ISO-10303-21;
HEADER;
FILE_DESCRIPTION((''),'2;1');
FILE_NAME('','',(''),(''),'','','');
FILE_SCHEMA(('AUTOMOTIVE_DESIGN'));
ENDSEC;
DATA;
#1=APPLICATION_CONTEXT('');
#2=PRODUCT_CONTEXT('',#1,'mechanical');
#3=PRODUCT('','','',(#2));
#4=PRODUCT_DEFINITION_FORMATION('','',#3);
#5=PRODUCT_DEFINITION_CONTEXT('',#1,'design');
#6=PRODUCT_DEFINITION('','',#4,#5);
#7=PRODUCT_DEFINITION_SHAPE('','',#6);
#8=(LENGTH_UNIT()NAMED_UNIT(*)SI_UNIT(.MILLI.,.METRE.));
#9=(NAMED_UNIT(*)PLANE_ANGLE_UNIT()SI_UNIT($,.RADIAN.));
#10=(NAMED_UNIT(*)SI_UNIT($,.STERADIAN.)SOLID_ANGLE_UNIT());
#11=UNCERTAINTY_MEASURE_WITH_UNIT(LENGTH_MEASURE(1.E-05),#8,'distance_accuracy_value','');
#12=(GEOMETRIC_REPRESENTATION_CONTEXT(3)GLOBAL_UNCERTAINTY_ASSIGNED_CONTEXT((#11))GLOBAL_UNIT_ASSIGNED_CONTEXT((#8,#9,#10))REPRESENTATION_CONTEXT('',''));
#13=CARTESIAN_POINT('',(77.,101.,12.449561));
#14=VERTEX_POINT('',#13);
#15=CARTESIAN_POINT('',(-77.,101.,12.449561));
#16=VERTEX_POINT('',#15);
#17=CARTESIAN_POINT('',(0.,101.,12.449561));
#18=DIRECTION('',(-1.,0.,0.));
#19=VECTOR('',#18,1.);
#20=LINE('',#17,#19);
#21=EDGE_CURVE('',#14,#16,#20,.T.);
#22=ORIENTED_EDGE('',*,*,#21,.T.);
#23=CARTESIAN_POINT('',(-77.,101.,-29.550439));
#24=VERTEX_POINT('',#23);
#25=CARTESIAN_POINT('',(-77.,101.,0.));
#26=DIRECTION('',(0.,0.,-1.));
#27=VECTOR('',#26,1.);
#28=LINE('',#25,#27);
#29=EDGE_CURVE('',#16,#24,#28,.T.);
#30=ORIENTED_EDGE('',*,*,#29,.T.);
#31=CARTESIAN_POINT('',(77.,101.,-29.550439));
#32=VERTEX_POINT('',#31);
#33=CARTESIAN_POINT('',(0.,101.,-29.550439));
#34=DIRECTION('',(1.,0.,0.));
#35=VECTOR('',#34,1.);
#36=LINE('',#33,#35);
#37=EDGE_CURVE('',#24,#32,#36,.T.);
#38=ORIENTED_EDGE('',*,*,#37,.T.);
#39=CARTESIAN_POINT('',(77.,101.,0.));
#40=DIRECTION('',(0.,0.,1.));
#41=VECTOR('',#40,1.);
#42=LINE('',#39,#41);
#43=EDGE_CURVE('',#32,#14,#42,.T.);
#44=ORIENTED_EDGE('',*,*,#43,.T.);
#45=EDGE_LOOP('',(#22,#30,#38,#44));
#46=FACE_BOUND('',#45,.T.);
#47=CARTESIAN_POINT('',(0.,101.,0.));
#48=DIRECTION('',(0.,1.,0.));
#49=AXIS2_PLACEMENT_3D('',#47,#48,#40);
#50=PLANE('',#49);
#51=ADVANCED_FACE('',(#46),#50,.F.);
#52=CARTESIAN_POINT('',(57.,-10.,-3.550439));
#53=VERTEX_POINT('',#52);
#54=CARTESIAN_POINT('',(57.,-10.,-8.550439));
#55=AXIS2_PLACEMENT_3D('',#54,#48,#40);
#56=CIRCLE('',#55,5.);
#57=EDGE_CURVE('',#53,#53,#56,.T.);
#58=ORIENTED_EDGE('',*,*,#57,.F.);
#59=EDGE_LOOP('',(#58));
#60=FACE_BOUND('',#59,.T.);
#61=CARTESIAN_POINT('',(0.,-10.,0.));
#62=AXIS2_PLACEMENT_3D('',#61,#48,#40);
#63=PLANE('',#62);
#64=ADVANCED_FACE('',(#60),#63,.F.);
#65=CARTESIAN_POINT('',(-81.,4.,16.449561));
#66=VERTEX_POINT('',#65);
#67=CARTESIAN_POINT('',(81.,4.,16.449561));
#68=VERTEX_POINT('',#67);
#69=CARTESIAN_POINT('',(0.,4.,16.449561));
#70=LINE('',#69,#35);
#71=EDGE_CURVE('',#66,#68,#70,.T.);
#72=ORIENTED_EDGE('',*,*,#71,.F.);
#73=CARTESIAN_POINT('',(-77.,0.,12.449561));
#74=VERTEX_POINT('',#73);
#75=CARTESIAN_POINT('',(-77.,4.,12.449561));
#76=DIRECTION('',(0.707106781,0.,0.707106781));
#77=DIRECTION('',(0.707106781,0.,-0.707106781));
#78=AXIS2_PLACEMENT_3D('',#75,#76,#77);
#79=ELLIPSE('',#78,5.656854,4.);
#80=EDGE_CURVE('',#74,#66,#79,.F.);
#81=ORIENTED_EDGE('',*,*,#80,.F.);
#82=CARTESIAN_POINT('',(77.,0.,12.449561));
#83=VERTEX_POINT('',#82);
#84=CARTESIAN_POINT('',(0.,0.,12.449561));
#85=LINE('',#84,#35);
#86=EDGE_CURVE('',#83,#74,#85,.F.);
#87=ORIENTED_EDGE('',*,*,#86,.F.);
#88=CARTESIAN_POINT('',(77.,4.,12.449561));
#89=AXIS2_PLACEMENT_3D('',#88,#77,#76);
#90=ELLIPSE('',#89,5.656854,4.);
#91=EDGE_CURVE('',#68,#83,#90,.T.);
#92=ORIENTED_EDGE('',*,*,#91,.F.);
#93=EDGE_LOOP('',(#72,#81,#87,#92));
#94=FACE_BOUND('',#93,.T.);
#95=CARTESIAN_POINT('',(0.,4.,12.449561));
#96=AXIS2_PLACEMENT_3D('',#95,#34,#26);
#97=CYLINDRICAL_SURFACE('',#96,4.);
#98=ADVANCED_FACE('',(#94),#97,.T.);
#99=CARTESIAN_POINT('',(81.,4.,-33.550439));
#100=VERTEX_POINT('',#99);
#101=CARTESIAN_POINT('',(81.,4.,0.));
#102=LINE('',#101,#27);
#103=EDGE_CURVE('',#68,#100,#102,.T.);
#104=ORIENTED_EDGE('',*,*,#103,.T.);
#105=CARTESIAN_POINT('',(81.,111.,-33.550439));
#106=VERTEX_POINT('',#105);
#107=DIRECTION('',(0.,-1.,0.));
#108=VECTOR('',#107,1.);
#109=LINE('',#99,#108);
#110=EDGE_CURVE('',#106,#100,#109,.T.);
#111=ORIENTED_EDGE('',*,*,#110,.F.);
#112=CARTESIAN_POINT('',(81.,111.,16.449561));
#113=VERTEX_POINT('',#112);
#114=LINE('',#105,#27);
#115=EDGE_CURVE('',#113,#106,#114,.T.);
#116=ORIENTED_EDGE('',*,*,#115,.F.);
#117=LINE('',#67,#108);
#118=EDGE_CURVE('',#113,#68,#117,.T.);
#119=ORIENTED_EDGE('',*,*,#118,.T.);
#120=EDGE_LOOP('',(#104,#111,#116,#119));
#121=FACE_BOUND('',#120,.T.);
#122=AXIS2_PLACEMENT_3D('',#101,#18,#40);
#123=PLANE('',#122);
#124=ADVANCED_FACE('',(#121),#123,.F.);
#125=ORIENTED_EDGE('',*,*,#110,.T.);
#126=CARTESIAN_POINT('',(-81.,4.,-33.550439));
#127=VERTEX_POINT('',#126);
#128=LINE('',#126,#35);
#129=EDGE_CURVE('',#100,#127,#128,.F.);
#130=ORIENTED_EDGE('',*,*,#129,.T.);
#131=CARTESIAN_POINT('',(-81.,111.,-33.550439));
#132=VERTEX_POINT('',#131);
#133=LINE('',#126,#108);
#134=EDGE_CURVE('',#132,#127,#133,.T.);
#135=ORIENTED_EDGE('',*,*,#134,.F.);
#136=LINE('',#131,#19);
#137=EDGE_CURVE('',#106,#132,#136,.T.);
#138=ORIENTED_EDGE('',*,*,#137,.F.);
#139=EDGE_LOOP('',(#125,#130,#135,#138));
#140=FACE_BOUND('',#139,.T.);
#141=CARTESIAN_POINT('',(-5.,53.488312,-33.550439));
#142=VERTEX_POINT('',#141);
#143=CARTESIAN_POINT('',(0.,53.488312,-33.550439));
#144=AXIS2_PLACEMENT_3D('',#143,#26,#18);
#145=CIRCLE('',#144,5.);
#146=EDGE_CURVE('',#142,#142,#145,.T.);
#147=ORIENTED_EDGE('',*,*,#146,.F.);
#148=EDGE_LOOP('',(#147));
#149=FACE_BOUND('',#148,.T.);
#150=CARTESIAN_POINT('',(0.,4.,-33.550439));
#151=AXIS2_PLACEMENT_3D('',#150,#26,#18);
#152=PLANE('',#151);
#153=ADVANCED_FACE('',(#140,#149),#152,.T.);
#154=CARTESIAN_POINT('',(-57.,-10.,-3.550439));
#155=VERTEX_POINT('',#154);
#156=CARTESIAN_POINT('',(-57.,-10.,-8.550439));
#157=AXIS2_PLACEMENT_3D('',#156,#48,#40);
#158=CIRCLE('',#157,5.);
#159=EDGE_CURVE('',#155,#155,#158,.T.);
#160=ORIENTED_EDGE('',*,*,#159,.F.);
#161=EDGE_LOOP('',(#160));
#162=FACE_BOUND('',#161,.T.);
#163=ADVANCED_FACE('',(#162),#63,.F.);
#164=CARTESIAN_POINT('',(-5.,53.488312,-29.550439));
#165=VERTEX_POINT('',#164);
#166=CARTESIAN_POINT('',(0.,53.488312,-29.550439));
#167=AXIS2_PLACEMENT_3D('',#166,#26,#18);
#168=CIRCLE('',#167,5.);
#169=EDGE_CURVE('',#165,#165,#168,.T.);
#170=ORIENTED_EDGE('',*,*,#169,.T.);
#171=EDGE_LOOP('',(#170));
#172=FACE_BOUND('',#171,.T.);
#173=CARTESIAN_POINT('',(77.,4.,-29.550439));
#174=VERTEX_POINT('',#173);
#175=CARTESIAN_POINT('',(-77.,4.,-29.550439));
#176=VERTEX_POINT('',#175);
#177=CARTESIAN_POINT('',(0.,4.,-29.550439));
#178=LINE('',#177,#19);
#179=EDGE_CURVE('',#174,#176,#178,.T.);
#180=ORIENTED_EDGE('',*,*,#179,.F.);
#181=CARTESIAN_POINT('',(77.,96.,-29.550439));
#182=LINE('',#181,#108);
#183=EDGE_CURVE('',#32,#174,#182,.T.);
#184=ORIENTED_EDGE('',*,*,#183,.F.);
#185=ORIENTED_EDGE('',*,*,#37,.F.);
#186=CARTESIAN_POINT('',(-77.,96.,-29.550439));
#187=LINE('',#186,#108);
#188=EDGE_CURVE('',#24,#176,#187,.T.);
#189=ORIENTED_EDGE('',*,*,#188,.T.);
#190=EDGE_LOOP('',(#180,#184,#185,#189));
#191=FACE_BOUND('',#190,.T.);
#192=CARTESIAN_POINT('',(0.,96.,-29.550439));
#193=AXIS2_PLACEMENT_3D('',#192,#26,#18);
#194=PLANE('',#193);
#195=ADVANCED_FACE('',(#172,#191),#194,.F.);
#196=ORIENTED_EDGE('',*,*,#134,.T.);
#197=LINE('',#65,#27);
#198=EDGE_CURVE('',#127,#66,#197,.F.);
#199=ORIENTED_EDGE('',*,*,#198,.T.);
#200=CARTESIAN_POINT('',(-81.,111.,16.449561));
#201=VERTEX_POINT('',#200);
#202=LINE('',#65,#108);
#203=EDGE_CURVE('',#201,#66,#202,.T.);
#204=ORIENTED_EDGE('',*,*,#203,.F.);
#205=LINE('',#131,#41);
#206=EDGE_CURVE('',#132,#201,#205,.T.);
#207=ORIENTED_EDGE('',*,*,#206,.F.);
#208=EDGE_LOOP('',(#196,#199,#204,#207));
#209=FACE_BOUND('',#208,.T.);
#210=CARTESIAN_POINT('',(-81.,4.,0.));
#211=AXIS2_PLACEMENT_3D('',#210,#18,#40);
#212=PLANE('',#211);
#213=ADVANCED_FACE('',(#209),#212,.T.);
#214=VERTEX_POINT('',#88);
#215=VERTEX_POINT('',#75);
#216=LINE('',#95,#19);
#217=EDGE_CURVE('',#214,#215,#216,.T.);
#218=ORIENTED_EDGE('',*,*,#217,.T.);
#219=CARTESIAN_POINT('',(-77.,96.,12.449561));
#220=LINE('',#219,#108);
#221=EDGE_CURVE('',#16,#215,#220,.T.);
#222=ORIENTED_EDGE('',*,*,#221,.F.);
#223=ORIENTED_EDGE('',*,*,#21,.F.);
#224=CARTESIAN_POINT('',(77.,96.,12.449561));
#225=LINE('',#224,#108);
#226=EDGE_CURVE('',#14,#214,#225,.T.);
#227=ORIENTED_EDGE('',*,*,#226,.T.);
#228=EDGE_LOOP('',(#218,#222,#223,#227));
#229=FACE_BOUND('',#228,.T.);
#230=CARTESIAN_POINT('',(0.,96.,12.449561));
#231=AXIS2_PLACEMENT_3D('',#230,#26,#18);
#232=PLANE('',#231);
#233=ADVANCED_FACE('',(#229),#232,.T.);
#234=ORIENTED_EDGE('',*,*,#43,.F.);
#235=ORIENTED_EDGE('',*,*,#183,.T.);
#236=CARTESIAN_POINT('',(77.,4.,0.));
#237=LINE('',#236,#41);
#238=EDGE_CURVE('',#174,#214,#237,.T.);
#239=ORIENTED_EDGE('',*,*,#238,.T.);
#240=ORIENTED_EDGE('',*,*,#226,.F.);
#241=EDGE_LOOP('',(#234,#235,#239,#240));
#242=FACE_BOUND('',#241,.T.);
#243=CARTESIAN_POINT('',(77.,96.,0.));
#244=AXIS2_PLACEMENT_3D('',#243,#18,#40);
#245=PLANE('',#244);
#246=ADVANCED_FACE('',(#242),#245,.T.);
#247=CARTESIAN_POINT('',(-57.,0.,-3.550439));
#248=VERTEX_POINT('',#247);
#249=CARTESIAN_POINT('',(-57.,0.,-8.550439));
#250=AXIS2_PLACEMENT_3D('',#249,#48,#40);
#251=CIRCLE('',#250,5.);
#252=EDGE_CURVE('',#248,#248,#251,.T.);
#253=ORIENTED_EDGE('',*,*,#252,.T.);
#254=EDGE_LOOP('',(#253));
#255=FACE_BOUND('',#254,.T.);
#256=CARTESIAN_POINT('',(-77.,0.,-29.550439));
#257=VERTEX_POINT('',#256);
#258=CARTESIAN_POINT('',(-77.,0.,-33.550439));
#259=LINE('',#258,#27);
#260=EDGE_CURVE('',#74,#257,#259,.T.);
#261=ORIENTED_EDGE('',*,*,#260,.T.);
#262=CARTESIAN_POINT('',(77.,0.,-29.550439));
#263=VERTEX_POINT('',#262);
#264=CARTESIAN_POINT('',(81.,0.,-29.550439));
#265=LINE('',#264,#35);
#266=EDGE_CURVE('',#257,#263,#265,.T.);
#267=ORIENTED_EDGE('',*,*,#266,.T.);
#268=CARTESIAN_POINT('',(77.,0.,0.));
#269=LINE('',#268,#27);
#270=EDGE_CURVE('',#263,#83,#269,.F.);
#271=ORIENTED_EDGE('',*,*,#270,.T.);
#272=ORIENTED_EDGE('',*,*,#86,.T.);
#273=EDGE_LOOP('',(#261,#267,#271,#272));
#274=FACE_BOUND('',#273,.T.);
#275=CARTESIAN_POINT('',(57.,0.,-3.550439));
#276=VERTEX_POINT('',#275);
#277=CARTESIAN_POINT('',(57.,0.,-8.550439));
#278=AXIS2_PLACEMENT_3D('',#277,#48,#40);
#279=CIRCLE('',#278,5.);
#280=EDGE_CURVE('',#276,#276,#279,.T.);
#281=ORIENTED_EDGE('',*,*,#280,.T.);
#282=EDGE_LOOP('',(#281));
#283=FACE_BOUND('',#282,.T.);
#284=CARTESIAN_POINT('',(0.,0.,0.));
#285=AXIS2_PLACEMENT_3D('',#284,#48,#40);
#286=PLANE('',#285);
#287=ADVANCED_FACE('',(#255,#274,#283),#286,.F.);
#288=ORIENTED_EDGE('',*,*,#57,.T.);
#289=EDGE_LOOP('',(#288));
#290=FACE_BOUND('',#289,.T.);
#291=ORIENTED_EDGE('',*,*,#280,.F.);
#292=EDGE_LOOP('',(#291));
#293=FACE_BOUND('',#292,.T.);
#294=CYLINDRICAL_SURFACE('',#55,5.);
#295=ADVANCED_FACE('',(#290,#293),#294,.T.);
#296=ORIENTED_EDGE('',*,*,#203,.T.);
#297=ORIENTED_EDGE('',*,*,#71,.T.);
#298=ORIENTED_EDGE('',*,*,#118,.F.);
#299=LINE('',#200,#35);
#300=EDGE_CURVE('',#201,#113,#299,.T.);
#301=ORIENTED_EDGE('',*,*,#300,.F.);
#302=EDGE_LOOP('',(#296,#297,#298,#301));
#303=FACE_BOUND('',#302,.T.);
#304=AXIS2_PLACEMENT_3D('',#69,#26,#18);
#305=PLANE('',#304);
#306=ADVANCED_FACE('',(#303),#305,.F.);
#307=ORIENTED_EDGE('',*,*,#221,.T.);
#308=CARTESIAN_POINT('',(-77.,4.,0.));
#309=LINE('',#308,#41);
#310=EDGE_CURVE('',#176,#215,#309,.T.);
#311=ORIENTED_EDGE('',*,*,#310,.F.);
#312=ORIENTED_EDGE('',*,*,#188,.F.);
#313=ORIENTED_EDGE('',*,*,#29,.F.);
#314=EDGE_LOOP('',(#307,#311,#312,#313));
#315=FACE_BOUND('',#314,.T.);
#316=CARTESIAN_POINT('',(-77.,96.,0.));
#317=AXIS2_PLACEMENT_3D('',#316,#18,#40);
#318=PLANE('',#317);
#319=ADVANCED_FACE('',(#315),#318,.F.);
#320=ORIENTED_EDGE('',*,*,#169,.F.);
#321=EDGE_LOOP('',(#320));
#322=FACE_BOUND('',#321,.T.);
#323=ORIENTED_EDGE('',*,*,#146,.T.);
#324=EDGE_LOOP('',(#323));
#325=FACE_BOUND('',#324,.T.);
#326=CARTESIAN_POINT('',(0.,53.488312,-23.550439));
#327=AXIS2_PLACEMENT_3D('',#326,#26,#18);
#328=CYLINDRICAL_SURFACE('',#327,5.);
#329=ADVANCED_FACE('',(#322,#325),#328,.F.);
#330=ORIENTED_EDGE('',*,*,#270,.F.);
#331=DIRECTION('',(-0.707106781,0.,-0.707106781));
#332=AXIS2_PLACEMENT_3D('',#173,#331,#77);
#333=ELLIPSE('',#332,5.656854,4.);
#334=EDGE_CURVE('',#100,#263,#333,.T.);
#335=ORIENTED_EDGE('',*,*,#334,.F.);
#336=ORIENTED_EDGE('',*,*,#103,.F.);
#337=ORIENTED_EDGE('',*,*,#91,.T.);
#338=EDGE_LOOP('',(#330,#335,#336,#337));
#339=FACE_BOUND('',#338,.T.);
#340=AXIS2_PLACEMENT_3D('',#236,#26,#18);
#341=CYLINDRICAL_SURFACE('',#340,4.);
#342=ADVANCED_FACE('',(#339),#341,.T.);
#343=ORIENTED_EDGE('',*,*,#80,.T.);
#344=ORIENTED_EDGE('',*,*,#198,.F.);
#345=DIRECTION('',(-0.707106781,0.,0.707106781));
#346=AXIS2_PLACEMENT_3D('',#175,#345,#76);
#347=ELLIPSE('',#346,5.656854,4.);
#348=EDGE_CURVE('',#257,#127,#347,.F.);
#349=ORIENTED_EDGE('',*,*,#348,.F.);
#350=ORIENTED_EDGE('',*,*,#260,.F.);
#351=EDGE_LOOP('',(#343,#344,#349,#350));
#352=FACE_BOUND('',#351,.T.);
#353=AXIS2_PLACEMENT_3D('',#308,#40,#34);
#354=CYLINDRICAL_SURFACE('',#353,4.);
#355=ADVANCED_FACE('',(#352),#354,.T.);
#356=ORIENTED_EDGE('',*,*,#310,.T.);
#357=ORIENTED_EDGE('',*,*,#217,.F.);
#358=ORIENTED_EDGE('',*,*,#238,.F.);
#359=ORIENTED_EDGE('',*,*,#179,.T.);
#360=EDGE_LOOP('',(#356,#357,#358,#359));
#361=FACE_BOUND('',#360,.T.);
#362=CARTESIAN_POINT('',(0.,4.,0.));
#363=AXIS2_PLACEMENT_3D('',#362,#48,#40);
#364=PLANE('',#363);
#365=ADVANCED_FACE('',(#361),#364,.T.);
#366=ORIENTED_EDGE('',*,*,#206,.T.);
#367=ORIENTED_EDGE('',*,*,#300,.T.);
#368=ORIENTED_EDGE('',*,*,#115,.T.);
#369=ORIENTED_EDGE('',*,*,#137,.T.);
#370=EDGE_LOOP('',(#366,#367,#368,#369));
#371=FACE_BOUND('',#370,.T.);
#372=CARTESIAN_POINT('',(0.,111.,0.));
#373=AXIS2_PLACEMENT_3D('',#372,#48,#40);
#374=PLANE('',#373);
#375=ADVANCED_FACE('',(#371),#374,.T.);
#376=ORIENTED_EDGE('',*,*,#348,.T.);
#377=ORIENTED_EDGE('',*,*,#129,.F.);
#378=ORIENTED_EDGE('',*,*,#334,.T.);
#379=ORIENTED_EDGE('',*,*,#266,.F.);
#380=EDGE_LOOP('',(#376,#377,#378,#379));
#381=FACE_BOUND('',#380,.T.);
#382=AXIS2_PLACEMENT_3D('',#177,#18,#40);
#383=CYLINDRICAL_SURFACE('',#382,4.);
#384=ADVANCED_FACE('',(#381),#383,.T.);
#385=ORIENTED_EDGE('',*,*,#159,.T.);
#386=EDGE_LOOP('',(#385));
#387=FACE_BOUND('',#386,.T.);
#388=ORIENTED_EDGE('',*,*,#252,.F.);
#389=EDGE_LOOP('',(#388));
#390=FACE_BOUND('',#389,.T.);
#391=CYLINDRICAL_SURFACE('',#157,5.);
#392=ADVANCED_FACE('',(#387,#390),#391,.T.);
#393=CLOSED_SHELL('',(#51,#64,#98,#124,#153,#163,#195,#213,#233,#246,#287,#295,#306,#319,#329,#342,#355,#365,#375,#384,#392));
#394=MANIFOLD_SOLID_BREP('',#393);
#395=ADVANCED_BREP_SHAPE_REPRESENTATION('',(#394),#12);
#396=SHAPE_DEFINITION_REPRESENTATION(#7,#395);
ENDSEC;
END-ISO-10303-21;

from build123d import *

# Parameters (mm, degrees)
SKETCH1_R             = 5
BOSS_EXTRUDE1_DEPTH   = 10
BOSS_EXTRUDE1_2_DEPTH = 10
SKETCH1_3_W           = 162
SKETCH1_3_H           = 50
BOSS_EXTRUDE2_DEPTH   = 4
SKETCH1_4_W           = 162
SKETCH1_4_H           = 50
SKETCH1_4_W_2         = 154
SKETCH1_4_H_2         = 42
BOSS_EXTRUDE3_DEPTH   = 96
FILLET1_R             = 4
SKETCH2_W             = 162
SKETCH2_H             = 50
SKETCH2_W_2           = 154
SKETCH2_H_2           = 42
BOSS_EXTRUDE4_DEPTH   = 5
SKETCH2_2_W           = 162
SKETCH2_2_H           = 50
SKETCH2_2_W_2         = 154
SKETCH2_2_H_2         = 42
BOSS_EXTRUDE5_DEPTH   = 5
SKETCH3_R             = 5
CUT_EXTRUDE1_DEPTH    = 10
SKETCH4_W             = 162
SKETCH4_H             = 50
BOSS_EXTRUDE6_DEPTH   = 10


with BuildPart() as part:
    # Sketch1 → Boss-Extrude1 (new body)
    with BuildSketch(Plane(origin=(0, 0, 0), x_dir=(1, 0, 0), z_dir=(0, 1, 0))):
        with Locations((-57, 8.550438596)):
            Circle(SKETCH1_R)
    extrude(amount=-BOSS_EXTRUDE1_DEPTH)



with BuildPart() as body_2:
    # Sketch1 → Boss-Extrude1 2 (new body)
    with BuildSketch(Plane(origin=(0, 0, 0), x_dir=(1, 0, 0), z_dir=(0, 1, 0))):
        with Locations((57, 8.550438596)):
            Circle(SKETCH1_R)
    extrude(amount=-BOSS_EXTRUDE1_2_DEPTH)


with BuildPart() as part_1:
    add(part.part)

    add(body_2.part)  # Boss-Extrude2 merges body 2
    # Sketch1<3> → Boss-Extrude2 (add)
    with BuildSketch(Plane(origin=(0, 0, 0), x_dir=(1, 0, 0), z_dir=(0, 1, 0))):
        with Locations((0, 8.550438596)):
            Rectangle(SKETCH1_3_W, SKETCH1_3_H)
    extrude(amount=BOSS_EXTRUDE2_DEPTH)

    # Sketch1<4> → Boss-Extrude3 (add)
    with BuildSketch(Plane(origin=(0, 0, 0), x_dir=(1, 0, 0), z_dir=(0, 1, 0))):
        with Locations((0, 8.550438596)):
            Rectangle(SKETCH1_4_W, SKETCH1_4_H)
        with Locations((0, 8.550438596)):
            Rectangle(SKETCH1_4_W_2, SKETCH1_4_H_2, mode=Mode.SUBTRACT)
    extrude(amount=BOSS_EXTRUDE3_DEPTH)

    # Fillet1
    fillet1_edges = [part_1.edges().sort_by_distance(p)[0] for p in [
        (0, 0, -33.550438596),
        (-81, 0, -8.550438596),
        (81, 0, -8.550438596),
        (0, 0, 16.449561404),
    ]]
    fillet(fillet1_edges, radius=FILLET1_R)



with BuildPart() as body_2_2:
    # Sketch2 → Boss-Extrude4 (new body)
    with BuildSketch(Plane(origin=(0, 96, 0), x_dir=(1, 0, 0), z_dir=(0, 1, 0))):
        with Locations((0, 8.550438596)):
            Rectangle(SKETCH2_W, SKETCH2_H)
        with Locations((0, 8.550438596)):
            Rectangle(SKETCH2_W_2, SKETCH2_H_2, mode=Mode.SUBTRACT)
    extrude(amount=BOSS_EXTRUDE4_DEPTH)


with BuildPart() as part_2:
    add(part_1.part)

    add(body_2_2.part)  # Boss-Extrude5 merges body 2 2
    # Sketch2<2> → Boss-Extrude5 (add)
    with BuildSketch(Plane(origin=(0, 96, 0), x_dir=(1, 0, 0), z_dir=(0, 1, 0))):
        with Locations((0, 8.550438596)):
            Rectangle(SKETCH2_2_W, SKETCH2_2_H)
        with Locations((0, 8.550438596)):
            Rectangle(SKETCH2_2_W_2, SKETCH2_2_H_2, mode=Mode.SUBTRACT)
    extrude(amount=BOSS_EXTRUDE5_DEPTH)

    # Sketch3 → Cut-Extrude1 (cut)
    with BuildSketch(Plane(origin=(0, 0, -33.550438596), x_dir=(-1, 0, 0), z_dir=(0, 0, -1))):
        with Locations((0, 53.488312156)):
            Circle(SKETCH3_R)
    extrude(amount=-CUT_EXTRUDE1_DEPTH, mode=Mode.SUBTRACT)

    # Sketch4 → Boss-Extrude6 (add)
    with BuildSketch(Plane(origin=(0, 101, 0), x_dir=(1, 0, 0), z_dir=(0, 1, 0))):
        with Locations((0, 8.550438596)):
            Rectangle(SKETCH4_W, SKETCH4_H)
    extrude(amount=BOSS_EXTRUDE6_DEPTH)


solid = part_2.part
